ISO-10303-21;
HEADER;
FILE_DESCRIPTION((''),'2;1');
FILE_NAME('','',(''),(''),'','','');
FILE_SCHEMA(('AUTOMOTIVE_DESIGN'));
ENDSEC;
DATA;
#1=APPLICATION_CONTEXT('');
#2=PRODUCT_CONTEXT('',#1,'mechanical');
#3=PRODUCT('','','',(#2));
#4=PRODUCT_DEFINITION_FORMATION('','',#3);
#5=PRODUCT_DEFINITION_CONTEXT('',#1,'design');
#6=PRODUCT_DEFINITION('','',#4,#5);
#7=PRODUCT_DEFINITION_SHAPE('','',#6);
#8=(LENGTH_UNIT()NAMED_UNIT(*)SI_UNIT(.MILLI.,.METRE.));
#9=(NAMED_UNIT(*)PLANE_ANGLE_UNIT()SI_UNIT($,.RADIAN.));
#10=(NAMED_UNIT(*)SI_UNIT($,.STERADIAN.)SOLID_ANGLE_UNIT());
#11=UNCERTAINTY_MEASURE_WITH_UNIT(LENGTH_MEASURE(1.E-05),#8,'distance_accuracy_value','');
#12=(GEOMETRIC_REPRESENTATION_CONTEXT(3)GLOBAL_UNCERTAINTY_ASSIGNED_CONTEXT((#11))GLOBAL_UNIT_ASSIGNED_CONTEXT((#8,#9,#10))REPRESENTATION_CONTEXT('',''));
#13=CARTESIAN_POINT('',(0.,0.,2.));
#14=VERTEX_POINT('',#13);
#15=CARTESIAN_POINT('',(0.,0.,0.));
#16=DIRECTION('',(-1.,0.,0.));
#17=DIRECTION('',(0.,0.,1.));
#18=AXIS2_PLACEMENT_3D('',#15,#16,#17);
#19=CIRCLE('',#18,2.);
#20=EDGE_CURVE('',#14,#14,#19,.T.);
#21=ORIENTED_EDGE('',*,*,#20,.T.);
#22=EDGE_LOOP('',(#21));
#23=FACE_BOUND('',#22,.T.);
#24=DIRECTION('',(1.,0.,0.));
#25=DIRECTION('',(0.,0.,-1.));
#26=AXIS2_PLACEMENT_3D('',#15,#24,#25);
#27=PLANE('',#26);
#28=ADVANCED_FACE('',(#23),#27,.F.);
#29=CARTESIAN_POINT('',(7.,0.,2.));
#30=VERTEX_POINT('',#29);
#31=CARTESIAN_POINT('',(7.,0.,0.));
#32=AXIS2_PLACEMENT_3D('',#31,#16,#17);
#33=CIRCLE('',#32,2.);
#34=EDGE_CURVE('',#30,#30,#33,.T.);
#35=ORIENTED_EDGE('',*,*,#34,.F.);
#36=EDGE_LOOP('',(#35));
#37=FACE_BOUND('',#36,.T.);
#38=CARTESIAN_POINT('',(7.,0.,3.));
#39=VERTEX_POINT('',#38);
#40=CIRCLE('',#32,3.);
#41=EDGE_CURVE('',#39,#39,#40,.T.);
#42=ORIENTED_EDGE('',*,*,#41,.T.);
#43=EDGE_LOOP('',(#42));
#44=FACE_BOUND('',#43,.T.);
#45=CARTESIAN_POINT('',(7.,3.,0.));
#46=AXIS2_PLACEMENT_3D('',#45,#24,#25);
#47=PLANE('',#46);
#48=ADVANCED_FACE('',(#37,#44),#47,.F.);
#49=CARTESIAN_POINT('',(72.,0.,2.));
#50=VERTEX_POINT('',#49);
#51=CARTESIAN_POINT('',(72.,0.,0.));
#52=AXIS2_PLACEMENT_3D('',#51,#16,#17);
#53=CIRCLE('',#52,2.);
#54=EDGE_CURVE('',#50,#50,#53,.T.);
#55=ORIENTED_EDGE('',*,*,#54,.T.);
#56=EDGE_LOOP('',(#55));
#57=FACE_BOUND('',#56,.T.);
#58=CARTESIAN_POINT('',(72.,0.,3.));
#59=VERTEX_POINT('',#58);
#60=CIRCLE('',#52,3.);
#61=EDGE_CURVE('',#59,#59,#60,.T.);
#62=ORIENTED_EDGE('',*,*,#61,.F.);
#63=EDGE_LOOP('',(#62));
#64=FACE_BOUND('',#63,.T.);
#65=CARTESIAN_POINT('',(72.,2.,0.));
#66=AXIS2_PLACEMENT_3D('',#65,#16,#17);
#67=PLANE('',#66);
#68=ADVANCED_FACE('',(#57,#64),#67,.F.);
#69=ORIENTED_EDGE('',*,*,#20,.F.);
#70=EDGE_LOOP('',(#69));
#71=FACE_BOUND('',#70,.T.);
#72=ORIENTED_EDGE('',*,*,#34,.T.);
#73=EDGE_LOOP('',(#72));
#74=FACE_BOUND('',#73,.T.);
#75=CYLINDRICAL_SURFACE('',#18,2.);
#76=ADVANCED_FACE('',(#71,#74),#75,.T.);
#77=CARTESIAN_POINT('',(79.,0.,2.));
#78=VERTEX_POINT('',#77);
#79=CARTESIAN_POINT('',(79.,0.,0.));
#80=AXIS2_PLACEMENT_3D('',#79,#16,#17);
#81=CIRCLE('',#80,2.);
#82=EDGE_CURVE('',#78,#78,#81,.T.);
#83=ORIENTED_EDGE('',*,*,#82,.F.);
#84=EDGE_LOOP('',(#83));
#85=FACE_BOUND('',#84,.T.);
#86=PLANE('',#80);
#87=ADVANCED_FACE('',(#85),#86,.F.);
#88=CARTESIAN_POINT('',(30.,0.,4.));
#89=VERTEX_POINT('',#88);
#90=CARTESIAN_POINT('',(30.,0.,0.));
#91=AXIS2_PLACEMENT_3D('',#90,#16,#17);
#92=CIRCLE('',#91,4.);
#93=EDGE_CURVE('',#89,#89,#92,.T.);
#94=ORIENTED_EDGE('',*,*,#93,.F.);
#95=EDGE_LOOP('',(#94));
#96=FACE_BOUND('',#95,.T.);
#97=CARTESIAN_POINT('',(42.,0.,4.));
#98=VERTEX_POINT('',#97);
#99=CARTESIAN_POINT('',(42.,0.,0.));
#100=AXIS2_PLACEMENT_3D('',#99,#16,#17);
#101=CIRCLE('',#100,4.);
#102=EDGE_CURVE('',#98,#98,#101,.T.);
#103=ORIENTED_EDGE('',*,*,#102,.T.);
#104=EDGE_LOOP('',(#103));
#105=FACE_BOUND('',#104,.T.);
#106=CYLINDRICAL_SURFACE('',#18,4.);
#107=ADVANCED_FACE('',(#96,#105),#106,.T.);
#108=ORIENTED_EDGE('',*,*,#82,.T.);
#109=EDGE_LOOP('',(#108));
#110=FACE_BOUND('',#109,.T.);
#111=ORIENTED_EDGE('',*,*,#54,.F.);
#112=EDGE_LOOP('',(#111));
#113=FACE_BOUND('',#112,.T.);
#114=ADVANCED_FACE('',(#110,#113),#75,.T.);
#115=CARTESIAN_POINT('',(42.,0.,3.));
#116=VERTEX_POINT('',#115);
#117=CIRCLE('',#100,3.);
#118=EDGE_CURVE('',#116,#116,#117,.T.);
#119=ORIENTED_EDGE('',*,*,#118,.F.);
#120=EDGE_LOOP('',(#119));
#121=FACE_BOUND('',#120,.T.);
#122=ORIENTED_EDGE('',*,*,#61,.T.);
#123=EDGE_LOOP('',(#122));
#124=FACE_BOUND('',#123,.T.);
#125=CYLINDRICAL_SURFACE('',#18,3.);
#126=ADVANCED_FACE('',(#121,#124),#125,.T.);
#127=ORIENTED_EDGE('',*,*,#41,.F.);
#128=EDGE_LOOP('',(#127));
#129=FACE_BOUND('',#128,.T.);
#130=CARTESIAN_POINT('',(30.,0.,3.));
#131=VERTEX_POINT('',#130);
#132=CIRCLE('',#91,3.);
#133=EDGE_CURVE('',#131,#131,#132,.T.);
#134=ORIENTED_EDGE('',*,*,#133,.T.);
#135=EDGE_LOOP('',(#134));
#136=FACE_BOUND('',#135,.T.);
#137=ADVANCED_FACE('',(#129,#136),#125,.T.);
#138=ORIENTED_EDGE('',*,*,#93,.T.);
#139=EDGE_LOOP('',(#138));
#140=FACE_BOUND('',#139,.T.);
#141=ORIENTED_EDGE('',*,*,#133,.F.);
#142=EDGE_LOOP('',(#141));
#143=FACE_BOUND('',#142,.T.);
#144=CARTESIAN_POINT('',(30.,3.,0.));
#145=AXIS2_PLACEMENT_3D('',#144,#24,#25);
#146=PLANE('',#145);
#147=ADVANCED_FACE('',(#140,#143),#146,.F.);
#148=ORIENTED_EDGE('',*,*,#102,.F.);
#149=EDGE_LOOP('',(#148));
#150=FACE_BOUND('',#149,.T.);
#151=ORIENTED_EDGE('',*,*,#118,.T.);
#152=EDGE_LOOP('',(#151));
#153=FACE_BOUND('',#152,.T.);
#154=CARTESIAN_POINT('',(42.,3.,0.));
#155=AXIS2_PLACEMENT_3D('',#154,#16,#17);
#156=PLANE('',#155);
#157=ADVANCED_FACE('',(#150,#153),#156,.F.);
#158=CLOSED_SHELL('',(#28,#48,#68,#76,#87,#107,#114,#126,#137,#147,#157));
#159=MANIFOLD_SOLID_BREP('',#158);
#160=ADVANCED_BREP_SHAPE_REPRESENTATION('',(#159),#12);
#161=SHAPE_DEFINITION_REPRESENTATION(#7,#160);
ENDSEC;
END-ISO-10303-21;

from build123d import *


with BuildPart() as part:
    # Esquisse1 → Révolution1 (revolve)
    with BuildSketch(Plane.XY, mode=Mode.PRIVATE) as r_volution1_sk:
        Polygon((42, 3), (72, 3), (72, 2), (79, 2), (79, 0), (0, 0), (0, 2), (7, 2), (7, 3), (30, 3), (30, 4), (42, 4), align=None)
    revolve(r_volution1_sk.sketch.rotate(Axis((0, 0, 0), (1, 0, 0)), 90), axis=Axis((0, 0, 0), (1, 0, 0)))  # turned: the seam where the file's is


solid = part.part
